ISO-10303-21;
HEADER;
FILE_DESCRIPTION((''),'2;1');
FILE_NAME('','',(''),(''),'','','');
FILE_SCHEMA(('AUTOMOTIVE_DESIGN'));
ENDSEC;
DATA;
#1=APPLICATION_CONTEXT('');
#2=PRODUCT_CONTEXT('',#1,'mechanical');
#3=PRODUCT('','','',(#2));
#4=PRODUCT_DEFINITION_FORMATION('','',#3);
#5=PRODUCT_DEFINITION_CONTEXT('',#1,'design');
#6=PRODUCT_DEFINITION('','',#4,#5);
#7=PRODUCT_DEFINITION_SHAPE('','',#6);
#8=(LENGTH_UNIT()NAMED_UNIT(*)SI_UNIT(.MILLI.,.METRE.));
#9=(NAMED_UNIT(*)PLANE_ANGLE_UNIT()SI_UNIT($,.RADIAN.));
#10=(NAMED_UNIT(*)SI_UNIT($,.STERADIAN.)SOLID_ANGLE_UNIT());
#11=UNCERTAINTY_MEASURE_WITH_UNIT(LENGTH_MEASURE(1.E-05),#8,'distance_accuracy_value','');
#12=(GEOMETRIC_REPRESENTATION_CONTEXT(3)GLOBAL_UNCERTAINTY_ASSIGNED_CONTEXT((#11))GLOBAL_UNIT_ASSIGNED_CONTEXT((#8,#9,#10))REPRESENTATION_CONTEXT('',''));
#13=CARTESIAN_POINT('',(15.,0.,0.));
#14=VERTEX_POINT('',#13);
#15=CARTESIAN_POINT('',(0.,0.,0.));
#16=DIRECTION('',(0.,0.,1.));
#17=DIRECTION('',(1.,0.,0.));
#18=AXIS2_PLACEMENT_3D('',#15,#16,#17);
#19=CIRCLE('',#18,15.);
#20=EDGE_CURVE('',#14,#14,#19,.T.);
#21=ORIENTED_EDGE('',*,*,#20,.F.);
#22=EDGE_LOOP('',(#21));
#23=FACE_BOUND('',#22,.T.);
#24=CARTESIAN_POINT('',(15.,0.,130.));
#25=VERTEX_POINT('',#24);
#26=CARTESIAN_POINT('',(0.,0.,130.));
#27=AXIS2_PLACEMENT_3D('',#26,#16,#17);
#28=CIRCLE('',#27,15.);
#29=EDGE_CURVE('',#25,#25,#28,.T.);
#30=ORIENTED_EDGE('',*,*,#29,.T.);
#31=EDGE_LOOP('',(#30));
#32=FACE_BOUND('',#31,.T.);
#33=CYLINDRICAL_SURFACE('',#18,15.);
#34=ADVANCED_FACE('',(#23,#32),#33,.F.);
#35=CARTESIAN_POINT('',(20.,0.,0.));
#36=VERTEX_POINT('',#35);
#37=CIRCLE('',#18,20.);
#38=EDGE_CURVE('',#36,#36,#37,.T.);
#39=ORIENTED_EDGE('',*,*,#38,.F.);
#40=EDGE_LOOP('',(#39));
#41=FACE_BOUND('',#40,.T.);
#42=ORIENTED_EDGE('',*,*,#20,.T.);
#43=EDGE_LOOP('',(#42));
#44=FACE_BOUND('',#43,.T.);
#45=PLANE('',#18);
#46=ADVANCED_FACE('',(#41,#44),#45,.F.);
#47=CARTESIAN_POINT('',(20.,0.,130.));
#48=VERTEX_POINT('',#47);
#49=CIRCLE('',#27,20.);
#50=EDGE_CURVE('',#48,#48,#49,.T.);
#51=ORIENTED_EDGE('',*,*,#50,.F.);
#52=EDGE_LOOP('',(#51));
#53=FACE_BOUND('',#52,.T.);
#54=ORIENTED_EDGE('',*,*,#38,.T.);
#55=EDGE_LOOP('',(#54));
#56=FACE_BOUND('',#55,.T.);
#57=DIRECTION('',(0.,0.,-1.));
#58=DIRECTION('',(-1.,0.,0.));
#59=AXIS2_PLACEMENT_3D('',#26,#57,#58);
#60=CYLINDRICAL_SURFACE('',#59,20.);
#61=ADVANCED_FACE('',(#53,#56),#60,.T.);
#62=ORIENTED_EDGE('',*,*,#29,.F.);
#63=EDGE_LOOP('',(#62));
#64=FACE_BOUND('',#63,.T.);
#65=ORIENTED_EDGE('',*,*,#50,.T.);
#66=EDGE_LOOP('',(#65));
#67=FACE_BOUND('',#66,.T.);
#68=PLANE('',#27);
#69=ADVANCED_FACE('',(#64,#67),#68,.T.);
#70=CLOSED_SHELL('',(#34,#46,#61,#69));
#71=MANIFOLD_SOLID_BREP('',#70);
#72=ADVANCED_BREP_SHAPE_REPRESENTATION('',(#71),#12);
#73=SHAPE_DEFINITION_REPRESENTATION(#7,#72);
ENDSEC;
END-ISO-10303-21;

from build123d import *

# Parameters (mm, degrees)
SKETCH1_R           = 20
BOSS_EXTRUDE1_DEPTH = 130
SKETCH2_R           = 15
CUT_EXTRUDE1_DEPTH  = 130


with BuildPart() as part:
    # Sketch1 → Boss-Extrude1 (new body)
    with BuildSketch(Plane.XY):
        Circle(SKETCH1_R)
    extrude(amount=BOSS_EXTRUDE1_DEPTH)

    # Sketch2 → Cut-Extrude1 (cut)
    with BuildSketch(Plane.XY.offset(130)):
        Circle(SKETCH2_R)
    extrude(amount=-CUT_EXTRUDE1_DEPTH, mode=Mode.SUBTRACT)


solid = part.part
